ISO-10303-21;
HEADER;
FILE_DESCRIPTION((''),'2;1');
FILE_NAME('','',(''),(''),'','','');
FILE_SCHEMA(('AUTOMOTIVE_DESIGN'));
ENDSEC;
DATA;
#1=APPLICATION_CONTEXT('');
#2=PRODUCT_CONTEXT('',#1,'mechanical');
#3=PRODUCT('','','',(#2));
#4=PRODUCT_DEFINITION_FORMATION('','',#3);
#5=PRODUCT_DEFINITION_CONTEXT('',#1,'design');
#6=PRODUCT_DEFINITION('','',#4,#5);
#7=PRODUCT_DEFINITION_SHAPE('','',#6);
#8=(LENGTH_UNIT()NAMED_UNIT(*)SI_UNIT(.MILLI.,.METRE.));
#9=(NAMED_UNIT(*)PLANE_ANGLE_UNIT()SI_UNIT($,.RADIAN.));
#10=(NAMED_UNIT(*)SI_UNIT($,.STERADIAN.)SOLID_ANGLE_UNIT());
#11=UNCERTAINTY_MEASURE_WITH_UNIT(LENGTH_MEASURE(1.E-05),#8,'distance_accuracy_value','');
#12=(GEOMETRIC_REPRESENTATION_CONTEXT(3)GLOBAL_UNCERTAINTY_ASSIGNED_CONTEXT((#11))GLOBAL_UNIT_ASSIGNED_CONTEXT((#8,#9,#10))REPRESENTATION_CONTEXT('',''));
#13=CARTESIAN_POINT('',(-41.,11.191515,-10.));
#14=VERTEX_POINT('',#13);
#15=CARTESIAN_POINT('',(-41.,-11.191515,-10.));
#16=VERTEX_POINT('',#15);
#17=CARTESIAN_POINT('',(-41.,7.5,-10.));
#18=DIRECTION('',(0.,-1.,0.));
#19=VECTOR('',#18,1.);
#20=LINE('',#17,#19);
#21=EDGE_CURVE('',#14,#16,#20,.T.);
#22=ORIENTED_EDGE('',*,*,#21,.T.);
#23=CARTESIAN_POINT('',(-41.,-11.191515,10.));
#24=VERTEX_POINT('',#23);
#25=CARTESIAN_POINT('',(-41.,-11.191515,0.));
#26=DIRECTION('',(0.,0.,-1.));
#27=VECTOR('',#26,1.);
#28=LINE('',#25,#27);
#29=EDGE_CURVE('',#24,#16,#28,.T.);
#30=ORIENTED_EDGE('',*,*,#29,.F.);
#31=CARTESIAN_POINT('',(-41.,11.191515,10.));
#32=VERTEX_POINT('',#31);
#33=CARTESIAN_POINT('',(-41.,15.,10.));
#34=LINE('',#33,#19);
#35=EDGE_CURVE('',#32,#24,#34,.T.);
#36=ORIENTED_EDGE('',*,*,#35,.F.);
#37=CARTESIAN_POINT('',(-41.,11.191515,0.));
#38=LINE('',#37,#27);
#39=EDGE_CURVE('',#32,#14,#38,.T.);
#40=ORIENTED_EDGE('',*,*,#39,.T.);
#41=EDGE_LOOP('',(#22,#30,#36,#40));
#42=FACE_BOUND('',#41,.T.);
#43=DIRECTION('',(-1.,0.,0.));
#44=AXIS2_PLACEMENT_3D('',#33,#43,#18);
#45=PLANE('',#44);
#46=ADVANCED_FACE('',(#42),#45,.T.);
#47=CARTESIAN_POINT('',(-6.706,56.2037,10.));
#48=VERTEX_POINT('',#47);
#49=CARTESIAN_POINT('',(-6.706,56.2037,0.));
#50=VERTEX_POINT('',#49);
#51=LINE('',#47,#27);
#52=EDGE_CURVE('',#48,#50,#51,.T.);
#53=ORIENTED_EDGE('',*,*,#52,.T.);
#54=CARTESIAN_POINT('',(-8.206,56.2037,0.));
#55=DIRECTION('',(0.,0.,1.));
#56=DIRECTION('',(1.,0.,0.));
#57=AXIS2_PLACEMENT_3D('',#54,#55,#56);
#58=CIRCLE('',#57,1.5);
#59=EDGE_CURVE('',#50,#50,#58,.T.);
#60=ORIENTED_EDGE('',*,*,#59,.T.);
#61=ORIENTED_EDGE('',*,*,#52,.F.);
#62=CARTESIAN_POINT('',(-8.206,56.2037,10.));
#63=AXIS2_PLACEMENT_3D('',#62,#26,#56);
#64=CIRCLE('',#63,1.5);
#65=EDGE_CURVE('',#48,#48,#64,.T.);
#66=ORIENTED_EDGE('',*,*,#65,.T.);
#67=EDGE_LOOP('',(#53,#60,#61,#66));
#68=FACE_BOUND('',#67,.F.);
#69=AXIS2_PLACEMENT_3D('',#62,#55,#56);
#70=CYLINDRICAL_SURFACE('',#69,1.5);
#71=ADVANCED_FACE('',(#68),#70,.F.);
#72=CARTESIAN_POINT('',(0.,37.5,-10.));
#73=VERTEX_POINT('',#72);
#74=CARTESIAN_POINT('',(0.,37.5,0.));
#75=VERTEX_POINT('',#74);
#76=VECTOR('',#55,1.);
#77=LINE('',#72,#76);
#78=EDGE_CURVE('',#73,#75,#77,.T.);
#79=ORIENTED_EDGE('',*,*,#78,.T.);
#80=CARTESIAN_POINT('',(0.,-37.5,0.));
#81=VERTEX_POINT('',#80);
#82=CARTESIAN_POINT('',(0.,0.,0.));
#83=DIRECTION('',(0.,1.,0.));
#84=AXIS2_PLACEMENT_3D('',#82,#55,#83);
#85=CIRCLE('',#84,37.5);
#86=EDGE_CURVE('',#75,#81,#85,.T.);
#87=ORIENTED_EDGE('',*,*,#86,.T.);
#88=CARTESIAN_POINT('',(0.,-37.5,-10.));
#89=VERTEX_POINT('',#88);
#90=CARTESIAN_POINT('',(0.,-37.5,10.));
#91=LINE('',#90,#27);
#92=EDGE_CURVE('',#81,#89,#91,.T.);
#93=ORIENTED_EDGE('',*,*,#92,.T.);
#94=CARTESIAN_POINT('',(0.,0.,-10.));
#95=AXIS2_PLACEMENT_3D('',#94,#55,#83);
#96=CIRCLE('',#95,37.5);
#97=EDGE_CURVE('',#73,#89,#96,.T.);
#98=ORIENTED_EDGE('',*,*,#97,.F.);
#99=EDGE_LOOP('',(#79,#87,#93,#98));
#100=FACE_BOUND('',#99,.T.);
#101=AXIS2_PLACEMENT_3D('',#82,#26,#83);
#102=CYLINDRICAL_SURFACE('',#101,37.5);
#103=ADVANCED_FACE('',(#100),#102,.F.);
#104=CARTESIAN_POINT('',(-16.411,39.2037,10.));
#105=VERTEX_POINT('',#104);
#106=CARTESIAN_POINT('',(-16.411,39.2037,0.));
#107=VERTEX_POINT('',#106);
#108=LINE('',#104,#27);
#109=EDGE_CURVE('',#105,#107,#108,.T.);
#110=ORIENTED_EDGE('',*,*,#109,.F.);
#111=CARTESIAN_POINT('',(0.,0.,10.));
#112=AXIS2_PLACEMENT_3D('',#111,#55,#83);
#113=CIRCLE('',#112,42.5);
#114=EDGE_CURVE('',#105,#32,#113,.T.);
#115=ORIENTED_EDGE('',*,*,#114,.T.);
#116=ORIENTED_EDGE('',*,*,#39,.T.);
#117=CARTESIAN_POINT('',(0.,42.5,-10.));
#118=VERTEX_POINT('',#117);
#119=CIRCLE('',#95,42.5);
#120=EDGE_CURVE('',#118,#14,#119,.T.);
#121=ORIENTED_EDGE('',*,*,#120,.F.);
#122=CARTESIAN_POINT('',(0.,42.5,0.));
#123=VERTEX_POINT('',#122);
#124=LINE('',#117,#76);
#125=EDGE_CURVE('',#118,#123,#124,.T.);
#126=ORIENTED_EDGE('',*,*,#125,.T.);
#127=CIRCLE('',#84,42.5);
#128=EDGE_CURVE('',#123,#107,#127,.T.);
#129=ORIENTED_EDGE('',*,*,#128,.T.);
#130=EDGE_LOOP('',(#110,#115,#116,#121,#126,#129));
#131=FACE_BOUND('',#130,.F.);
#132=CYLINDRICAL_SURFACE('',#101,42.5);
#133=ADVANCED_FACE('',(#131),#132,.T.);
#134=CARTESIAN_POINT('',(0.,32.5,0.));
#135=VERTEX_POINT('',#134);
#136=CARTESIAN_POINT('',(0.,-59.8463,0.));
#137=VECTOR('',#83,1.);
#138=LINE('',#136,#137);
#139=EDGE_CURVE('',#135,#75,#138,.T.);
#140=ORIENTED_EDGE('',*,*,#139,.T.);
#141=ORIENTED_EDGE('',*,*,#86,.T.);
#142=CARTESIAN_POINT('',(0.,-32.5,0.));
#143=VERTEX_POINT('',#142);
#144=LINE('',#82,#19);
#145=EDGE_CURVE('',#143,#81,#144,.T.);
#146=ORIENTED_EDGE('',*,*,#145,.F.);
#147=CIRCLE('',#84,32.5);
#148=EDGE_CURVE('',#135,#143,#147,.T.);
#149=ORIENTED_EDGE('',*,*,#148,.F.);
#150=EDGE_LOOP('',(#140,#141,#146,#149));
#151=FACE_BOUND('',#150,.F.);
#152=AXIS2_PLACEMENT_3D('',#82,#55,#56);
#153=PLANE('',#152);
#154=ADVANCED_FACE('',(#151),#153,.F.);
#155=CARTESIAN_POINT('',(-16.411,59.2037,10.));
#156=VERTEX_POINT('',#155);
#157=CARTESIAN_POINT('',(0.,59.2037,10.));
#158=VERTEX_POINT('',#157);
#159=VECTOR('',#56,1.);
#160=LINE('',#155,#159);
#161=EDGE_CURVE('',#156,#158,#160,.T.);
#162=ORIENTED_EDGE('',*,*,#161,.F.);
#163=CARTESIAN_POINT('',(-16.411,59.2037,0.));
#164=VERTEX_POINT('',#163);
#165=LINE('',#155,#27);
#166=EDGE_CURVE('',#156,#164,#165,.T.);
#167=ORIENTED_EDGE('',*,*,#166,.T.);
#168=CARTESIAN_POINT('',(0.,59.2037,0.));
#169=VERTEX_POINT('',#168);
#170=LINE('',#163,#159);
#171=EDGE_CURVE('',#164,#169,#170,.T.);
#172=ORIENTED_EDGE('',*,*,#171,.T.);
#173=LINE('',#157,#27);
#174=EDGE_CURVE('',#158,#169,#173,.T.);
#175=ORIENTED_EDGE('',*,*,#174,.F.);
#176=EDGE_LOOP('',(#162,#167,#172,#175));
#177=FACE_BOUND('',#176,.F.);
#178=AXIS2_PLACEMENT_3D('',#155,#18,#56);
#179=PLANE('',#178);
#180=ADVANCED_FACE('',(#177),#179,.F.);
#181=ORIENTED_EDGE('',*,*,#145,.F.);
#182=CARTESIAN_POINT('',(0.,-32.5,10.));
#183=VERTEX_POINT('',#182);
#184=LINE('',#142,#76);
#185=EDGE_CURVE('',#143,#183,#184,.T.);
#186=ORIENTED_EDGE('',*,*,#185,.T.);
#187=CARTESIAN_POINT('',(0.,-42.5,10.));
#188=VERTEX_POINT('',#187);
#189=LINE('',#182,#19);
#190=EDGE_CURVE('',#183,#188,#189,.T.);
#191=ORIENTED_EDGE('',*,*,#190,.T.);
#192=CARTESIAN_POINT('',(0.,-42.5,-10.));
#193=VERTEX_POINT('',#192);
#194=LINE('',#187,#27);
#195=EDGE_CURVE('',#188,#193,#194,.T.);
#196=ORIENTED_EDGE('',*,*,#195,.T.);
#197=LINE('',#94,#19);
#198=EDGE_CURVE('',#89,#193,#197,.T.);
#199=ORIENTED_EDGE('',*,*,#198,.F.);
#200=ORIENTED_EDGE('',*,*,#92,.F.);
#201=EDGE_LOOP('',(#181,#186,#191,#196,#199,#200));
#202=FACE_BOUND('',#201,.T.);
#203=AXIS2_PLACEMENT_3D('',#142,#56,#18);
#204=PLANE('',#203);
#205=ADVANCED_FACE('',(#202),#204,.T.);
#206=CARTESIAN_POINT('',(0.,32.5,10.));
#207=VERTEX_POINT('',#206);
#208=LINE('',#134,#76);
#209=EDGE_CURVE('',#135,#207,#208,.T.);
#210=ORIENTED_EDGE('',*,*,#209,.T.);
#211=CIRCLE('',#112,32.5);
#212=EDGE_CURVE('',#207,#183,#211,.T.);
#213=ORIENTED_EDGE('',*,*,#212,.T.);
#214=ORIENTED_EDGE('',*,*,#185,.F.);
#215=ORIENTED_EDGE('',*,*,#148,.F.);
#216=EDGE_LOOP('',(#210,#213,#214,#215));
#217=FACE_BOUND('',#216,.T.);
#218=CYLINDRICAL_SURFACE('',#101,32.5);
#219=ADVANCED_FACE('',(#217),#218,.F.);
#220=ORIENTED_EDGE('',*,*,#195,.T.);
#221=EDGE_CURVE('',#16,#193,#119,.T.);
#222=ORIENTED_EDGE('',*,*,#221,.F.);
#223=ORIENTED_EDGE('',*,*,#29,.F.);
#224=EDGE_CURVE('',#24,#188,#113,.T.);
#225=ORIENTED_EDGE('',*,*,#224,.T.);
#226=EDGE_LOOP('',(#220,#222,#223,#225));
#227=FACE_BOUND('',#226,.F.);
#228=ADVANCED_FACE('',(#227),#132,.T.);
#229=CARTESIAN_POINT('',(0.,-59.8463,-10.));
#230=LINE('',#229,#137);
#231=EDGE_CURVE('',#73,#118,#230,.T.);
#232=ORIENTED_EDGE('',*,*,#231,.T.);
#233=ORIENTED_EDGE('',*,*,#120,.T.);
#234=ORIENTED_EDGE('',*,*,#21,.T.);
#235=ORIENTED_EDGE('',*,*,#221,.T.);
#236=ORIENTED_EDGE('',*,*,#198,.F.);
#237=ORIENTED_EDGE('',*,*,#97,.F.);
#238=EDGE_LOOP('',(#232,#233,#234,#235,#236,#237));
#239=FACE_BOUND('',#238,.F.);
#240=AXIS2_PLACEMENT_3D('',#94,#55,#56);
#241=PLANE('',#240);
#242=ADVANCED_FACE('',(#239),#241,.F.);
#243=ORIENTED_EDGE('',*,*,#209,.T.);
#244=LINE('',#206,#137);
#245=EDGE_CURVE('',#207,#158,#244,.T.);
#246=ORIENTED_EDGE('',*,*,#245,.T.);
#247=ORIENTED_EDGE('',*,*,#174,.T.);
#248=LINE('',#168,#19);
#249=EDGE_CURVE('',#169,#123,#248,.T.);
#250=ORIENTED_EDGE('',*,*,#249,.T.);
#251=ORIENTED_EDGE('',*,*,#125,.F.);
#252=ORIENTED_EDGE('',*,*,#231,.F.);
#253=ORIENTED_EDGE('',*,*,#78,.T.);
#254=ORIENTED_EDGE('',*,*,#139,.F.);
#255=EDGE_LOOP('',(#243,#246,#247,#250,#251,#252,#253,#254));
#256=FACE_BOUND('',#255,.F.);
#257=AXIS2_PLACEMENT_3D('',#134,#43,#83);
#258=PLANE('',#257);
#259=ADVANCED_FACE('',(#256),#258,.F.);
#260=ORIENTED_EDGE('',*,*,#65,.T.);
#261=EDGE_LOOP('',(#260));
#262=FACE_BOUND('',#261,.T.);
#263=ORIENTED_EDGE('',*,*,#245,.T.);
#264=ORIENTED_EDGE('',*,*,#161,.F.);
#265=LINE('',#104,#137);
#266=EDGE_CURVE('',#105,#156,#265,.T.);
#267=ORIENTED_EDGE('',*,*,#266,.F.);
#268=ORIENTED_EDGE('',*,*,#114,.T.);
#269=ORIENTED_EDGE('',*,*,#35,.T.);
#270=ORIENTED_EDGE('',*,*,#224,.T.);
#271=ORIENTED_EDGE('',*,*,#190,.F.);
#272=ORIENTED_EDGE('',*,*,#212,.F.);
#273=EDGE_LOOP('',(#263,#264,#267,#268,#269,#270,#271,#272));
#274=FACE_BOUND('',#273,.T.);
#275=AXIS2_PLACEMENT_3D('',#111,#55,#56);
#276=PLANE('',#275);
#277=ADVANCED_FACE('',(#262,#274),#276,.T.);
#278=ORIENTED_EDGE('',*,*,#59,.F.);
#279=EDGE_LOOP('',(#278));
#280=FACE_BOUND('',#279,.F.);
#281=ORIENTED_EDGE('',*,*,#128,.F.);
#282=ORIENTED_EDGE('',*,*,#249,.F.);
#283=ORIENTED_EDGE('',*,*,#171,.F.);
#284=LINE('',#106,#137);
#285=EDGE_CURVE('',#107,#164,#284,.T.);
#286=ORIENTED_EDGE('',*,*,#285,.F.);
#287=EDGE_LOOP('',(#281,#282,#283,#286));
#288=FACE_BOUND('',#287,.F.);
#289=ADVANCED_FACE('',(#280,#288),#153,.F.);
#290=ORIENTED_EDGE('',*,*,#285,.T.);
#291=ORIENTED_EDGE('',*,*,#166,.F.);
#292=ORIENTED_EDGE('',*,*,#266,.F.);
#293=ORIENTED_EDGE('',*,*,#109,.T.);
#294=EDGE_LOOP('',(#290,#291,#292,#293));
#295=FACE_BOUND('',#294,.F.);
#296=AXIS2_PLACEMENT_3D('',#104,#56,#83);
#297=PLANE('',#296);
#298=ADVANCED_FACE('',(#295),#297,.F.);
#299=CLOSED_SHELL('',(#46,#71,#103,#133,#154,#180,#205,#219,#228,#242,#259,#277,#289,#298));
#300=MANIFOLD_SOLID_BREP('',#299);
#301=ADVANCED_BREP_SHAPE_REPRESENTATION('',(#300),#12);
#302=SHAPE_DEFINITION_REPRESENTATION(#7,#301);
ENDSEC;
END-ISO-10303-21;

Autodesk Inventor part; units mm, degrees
ref_plane "YZ Plane" through (0, 0, 0) normal (1, 0, 0) x (0, 1, 0)
ref_plane "XZ Plane" through (0, 0, 0) normal (0, 1, 0) x (-1, 0, 0)
ref_plane "XY Plane" through (0, 0, 0) normal (0, 0, 1) x (1, 0, 0)
sketch "草圖1" plane through (0, 0, 0) normal (0, 0, 1) x (1, 0, 0)
  arc A0 (0, 32.5) -> (0, -32.5) centre (0, 0) ccw
  arc A1 (0, 37.5) -> (0, -37.5) centre (0, 0) ccw
  arc A2 (0, 42.5) -> (0, -42.5) centre (0, 0) ccw
  line L0 (0, 0) -> (0, -59.8463)
  line L1 (0, -59.8463) -> (0, 72.1748)
  point P0 (0, -37.5)
  point P1 (0, -42.5)
  dimension "d16" = 32.5
  dimension "d17" = 37.5
  dimension "d18" = 42.5
extrude "擠出1" add sketch "草圖1" along normal blind 10 contours A0 L0 A1 L1
extrude "擠出2" add sketch "草圖1" along normal mid plane 20 contours A1 L0 A2 L1
sketch "草圖2" plane through (0, 0, 10) normal (0, 0, 1) x (1, 0, 0)
  line L0 (0, 32.5) -> (0, 42.5) projected
  line L1 (0, 42.5) -> (0, 52.5)
  arc A0 (0, 42.5) -> (0, -42.5) centre (0, 0) ccw projected
  line L2 (-16.411, 39.2037) -> (-16.411, 59.2037)
  line L3 (-16.411, 59.2037) -> (0, 59.2037)
  line L4 (0, 59.2037) -> (0, 42.5)
  dimension "d4" = 10
  dimension "d9" = 20
  dimension "d13" = 16.411
extrude "擠出3" add sketch "草圖2" against normal blind 10
sketch "草圖4" plane through (0, 0, 10) normal (0, 0, 1) x (1, 0, 0)
  line L0 (0, 59.2037) -> (0, 37.5) projected
  line L1 (-16.411, 59.2037) -> (-16.411, 39.2037) projected
  line L2 (-16.411, 59.2037) -> (-8.206, 59.2037)
  line L3 (-8.206, 59.2037) -> (-8.206, 56.2037)
  circle A0 centre (-8.206, 56.2037) radius 1.5
  point P0 (0, 0)
  dimension "d21" = 8.205
  dimension "d22" = 3
  dimension "d23" = 3
extrude "擠出4" cut sketch "草圖4" against normal blind 20
sketch "草圖5" plane through (0, 0, 10) normal (0, 0, 1) x (1, 0, 0)
  line L0 (-54.3449, 0) -> (9.0575, 0) construction
  line L1 (0, -52.5) -> (0, 52.5) construction
  line L2 (-45.2874, 15) -> (-41, 15)
  line L3 (-41, 15) -> (-41, -15)
  line L4 (-41, -15) -> (-45.2874, -15)
  line L5 (-45.2874, -15) -> (-45.2874, 15)
  point P0 (0, 0)
  dimension "d24" = 15
  dimension "d25" = 15
  dimension "d26" = 41
extrude "擠出5" cut sketch "草圖5" against normal blind 28
properties part number "ARMR"
